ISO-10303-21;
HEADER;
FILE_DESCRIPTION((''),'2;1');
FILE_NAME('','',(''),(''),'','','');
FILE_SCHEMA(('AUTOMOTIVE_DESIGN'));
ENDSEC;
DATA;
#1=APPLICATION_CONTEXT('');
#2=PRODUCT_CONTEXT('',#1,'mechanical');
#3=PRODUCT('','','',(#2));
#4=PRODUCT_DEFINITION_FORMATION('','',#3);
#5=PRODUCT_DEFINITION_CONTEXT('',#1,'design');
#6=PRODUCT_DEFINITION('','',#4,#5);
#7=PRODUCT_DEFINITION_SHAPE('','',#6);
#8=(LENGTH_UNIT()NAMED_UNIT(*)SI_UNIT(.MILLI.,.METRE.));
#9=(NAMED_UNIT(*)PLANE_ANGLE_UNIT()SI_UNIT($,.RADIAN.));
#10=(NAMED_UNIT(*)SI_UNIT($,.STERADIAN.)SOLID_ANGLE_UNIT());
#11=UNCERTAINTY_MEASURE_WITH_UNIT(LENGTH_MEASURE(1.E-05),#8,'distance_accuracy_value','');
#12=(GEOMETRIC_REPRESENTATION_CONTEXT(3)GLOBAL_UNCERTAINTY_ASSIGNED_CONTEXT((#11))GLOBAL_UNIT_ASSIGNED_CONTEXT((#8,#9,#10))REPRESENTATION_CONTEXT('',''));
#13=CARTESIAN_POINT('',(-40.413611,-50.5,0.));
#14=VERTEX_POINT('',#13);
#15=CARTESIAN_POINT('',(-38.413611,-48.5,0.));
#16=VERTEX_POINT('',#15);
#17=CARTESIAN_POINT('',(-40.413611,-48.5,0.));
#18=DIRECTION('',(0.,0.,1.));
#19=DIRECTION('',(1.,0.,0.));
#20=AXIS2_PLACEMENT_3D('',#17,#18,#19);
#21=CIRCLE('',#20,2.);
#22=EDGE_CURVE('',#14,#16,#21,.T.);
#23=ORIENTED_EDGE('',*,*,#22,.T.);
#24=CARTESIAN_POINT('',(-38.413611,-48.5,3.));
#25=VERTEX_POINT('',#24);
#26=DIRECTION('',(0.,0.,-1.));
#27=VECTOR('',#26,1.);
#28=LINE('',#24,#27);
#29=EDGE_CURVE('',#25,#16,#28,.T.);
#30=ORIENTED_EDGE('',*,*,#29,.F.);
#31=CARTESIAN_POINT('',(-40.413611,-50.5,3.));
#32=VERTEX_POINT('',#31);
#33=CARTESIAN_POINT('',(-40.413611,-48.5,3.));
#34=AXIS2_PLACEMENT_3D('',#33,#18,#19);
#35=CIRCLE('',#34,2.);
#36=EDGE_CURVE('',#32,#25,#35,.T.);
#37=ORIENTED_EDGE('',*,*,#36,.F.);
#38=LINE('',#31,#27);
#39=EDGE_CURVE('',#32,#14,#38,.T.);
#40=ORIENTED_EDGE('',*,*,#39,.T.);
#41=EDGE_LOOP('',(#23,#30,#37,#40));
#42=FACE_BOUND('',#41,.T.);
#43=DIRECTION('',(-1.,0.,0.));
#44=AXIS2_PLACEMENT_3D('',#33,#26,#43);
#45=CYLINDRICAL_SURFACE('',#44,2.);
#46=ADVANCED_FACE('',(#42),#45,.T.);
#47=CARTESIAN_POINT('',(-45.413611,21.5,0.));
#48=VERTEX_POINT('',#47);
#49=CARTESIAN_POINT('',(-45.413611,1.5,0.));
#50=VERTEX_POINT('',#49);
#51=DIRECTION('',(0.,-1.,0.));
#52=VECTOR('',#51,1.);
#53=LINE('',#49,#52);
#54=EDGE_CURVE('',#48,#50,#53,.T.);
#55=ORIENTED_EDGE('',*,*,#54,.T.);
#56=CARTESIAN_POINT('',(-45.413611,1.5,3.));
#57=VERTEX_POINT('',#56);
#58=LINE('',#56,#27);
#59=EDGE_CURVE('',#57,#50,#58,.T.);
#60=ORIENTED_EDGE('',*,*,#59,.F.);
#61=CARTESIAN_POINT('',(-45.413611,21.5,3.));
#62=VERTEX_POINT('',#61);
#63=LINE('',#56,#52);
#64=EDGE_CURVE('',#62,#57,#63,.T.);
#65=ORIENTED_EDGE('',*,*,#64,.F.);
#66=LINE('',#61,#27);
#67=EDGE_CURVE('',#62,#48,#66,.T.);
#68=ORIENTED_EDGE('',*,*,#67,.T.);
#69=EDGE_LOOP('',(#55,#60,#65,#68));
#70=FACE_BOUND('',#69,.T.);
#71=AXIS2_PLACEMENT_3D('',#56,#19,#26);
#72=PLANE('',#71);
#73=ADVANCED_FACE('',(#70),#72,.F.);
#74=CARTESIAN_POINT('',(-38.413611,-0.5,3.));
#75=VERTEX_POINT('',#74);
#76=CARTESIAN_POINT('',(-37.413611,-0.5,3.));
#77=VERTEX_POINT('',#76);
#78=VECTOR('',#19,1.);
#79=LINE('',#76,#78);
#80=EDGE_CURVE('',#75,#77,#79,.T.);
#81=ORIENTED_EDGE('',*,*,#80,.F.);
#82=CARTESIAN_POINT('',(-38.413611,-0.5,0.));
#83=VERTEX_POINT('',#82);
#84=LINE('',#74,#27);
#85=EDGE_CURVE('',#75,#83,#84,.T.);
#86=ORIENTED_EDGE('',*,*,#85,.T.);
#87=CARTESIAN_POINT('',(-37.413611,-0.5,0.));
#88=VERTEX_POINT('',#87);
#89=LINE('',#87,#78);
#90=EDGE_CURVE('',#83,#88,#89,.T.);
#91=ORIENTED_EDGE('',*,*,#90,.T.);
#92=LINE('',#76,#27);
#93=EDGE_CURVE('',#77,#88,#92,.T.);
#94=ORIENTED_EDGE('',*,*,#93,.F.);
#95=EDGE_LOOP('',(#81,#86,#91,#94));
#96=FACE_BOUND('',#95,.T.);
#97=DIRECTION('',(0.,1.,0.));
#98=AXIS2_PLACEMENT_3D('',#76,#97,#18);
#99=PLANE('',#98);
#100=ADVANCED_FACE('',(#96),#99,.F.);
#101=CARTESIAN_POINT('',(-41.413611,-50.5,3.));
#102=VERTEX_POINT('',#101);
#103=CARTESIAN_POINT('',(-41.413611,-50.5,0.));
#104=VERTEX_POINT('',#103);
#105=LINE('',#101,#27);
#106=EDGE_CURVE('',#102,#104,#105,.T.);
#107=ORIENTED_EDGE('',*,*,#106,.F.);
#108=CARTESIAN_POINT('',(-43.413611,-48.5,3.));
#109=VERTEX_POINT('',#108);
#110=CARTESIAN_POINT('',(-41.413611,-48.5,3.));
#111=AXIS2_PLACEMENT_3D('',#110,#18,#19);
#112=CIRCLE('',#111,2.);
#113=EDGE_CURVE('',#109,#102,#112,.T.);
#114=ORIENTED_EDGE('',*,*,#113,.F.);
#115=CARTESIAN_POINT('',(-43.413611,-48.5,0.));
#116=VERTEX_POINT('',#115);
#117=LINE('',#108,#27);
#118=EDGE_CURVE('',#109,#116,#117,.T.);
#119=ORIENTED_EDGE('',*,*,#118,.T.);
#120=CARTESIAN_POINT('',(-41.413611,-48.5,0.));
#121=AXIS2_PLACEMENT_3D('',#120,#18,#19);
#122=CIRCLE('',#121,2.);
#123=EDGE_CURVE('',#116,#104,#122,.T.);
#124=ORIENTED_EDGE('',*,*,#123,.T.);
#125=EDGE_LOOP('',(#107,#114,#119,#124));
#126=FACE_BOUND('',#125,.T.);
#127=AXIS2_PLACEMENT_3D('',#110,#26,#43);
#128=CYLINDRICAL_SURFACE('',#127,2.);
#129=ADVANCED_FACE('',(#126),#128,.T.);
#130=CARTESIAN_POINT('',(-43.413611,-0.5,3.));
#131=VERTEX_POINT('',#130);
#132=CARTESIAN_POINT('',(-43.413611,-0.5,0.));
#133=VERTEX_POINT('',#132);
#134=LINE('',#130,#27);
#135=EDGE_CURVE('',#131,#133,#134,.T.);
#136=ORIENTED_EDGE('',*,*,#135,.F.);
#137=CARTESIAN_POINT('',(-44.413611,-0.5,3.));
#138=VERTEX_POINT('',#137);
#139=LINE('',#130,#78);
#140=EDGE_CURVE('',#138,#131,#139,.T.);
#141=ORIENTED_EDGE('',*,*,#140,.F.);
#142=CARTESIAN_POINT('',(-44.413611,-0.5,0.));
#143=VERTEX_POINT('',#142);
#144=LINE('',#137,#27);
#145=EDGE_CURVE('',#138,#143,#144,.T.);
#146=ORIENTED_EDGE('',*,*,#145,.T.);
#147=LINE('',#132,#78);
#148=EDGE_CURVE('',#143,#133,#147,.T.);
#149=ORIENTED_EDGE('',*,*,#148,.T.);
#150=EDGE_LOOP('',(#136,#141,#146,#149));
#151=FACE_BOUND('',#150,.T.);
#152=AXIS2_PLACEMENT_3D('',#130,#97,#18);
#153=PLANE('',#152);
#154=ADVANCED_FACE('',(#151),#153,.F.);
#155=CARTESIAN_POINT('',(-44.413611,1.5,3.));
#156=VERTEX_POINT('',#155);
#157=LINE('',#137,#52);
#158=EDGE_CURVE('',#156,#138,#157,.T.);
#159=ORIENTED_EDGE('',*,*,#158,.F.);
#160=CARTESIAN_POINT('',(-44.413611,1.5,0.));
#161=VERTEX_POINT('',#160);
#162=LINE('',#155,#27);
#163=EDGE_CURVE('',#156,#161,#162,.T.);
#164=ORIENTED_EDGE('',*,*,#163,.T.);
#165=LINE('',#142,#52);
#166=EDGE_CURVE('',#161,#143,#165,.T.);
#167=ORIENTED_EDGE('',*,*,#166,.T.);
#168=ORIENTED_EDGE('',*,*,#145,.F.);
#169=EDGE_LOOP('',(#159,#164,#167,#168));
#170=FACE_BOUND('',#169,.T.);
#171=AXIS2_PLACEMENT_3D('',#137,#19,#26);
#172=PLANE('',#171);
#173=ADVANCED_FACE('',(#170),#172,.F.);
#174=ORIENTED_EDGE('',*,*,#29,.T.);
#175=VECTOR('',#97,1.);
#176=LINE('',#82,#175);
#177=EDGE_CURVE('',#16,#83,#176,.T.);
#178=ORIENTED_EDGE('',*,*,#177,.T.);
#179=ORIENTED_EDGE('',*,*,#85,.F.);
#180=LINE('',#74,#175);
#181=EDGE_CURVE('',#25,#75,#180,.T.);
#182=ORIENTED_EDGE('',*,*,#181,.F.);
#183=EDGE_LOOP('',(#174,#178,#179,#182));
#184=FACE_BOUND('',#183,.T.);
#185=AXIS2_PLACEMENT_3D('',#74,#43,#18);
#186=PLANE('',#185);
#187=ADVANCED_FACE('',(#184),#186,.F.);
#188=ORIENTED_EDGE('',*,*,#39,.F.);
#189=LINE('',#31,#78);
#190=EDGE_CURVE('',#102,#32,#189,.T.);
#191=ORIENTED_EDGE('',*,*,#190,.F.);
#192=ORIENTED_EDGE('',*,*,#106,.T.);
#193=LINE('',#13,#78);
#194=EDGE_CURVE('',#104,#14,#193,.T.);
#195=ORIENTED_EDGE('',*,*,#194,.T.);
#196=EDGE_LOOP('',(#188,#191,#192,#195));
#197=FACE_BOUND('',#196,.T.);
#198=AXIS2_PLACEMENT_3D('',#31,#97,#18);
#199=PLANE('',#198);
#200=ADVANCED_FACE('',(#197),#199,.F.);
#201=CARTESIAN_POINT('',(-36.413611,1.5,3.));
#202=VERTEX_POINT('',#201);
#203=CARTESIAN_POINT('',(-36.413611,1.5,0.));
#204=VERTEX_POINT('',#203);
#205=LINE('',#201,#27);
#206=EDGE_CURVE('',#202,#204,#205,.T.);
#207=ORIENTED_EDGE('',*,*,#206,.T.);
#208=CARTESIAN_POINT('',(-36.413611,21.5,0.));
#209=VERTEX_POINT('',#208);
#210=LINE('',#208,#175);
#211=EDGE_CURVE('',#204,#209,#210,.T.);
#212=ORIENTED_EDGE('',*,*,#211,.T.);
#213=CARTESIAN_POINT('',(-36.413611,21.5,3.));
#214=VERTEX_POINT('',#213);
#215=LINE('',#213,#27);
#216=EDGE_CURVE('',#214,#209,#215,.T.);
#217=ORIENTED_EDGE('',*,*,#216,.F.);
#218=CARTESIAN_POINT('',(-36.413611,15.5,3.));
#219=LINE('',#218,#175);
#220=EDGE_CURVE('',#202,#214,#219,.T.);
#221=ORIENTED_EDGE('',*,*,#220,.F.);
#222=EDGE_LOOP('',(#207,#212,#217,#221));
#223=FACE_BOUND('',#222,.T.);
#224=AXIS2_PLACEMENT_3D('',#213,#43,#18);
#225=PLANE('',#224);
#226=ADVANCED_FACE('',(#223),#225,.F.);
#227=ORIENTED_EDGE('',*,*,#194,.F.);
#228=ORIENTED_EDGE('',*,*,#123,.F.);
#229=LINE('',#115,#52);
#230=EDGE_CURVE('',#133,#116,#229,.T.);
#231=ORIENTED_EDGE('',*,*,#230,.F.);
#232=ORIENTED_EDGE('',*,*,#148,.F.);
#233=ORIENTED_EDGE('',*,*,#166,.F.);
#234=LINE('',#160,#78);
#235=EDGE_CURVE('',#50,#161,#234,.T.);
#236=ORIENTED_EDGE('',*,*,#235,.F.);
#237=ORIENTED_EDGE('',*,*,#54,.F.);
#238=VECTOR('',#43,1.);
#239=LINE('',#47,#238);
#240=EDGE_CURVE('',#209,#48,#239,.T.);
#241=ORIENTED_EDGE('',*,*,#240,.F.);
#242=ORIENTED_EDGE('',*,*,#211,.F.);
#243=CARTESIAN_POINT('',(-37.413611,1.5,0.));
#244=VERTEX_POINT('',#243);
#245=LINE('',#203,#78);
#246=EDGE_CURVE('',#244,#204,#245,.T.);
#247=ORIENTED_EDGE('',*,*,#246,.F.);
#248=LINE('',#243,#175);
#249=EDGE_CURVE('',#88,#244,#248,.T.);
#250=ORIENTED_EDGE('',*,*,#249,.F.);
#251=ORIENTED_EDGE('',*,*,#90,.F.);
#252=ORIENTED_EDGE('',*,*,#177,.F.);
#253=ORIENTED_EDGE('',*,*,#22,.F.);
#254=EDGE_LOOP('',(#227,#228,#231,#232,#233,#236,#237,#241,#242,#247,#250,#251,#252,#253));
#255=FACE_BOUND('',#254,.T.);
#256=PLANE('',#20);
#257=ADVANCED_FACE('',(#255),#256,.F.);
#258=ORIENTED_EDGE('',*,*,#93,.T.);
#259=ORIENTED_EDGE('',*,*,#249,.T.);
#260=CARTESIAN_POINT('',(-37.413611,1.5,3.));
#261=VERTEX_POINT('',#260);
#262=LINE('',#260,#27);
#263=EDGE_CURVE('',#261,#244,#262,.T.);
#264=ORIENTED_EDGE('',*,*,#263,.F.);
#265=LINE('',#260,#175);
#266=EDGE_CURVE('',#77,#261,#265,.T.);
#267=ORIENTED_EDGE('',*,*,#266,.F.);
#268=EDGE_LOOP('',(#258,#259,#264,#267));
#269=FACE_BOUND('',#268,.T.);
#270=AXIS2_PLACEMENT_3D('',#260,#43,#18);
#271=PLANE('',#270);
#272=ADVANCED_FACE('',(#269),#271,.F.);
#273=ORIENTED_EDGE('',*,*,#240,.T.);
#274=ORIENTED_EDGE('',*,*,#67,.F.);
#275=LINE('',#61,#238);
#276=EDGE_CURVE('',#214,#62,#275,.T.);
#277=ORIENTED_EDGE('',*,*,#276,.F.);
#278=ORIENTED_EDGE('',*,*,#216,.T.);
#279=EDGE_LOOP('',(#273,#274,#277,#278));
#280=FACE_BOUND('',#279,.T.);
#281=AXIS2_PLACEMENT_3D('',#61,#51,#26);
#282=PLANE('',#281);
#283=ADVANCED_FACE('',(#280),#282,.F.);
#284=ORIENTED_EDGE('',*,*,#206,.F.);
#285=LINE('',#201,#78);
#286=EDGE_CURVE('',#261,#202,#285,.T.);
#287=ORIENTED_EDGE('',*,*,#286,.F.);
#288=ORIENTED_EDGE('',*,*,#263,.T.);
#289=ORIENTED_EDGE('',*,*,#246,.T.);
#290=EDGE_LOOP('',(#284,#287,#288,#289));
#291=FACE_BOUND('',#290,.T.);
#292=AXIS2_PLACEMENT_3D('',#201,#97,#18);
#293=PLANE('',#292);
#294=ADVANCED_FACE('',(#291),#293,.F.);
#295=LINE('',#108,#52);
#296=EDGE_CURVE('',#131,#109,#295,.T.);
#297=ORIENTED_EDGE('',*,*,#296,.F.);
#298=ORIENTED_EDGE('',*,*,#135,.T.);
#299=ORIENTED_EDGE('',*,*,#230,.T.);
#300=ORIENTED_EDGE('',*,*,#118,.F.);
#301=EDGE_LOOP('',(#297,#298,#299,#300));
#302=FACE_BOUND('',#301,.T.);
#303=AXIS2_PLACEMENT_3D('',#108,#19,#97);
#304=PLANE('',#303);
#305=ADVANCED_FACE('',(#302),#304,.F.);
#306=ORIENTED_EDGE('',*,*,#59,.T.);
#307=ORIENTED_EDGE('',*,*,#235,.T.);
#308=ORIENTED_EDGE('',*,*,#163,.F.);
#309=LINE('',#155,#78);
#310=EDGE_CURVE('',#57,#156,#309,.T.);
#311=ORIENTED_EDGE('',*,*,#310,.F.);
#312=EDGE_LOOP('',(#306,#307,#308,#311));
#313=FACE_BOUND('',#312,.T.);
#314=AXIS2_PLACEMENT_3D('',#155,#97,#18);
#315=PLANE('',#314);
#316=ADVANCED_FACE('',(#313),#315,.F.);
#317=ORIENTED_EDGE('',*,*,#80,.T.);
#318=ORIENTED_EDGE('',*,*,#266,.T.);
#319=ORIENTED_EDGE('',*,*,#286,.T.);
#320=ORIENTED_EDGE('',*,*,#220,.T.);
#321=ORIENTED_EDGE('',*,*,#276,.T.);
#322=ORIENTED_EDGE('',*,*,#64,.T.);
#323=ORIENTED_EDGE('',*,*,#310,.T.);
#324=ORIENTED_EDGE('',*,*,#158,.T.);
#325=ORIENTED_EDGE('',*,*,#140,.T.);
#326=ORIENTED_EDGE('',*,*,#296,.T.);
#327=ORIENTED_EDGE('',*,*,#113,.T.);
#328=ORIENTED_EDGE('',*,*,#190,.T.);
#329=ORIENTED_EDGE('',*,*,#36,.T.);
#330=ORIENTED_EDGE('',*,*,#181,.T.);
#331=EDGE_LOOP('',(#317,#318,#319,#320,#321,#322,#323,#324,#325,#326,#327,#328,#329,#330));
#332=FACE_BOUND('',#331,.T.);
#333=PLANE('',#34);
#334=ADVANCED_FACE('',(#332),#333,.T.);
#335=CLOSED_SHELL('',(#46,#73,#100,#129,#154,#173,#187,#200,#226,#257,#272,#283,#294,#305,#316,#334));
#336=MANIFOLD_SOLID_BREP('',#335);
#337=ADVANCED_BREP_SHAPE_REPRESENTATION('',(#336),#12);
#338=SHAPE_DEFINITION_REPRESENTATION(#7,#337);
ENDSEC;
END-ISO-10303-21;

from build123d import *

# Parameters (mm, degrees)
SALIENTE_EXTRUIR1_DEPTH = 3


with BuildPart() as part:
    # Model → Saliente-Extruir1 (new body)
    with BuildSketch(Plane.XY):
        with BuildLine():
            Line((-36.413611368, 21.5), (-36.413611368, 15.5))
            Line((-36.413611368, 15.5), (-36.413611368, 1.5))
            Line((-36.413611368, 1.5), (-37.413611368, 1.5))
            Line((-37.413611368, 1.5), (-37.413611368, -0.5))
            Line((-37.413611368, -0.5), (-38.413611368, -0.5))
            Line((-38.413611368, -0.5), (-38.413611368, -48.5))
            ThreePointArc((-38.413611368, -48.5), (-38.999397805, -49.914213562), (-40.413611368, -50.5))
            Line((-40.413611368, -50.5), (-41.413611368, -50.5))
            ThreePointArc((-41.413611368, -50.5), (-42.82782493, -49.914213562), (-43.413611368, -48.5))
            Line((-43.413611368, -48.5), (-43.413611368, -0.5))
            Line((-43.413611368, -0.5), (-44.413611368, -0.5))
            Line((-44.413611368, -0.5), (-44.413611368, 1.5))
            Line((-44.413611368, 1.5), (-45.413611368, 1.5))
            Line((-45.413611368, 1.5), (-45.413611368, 21.5))
            Line((-45.413611368, 21.5), (-36.413611368, 21.5))
        make_face()
    extrude(amount=SALIENTE_EXTRUIR1_DEPTH)


solid = part.part
